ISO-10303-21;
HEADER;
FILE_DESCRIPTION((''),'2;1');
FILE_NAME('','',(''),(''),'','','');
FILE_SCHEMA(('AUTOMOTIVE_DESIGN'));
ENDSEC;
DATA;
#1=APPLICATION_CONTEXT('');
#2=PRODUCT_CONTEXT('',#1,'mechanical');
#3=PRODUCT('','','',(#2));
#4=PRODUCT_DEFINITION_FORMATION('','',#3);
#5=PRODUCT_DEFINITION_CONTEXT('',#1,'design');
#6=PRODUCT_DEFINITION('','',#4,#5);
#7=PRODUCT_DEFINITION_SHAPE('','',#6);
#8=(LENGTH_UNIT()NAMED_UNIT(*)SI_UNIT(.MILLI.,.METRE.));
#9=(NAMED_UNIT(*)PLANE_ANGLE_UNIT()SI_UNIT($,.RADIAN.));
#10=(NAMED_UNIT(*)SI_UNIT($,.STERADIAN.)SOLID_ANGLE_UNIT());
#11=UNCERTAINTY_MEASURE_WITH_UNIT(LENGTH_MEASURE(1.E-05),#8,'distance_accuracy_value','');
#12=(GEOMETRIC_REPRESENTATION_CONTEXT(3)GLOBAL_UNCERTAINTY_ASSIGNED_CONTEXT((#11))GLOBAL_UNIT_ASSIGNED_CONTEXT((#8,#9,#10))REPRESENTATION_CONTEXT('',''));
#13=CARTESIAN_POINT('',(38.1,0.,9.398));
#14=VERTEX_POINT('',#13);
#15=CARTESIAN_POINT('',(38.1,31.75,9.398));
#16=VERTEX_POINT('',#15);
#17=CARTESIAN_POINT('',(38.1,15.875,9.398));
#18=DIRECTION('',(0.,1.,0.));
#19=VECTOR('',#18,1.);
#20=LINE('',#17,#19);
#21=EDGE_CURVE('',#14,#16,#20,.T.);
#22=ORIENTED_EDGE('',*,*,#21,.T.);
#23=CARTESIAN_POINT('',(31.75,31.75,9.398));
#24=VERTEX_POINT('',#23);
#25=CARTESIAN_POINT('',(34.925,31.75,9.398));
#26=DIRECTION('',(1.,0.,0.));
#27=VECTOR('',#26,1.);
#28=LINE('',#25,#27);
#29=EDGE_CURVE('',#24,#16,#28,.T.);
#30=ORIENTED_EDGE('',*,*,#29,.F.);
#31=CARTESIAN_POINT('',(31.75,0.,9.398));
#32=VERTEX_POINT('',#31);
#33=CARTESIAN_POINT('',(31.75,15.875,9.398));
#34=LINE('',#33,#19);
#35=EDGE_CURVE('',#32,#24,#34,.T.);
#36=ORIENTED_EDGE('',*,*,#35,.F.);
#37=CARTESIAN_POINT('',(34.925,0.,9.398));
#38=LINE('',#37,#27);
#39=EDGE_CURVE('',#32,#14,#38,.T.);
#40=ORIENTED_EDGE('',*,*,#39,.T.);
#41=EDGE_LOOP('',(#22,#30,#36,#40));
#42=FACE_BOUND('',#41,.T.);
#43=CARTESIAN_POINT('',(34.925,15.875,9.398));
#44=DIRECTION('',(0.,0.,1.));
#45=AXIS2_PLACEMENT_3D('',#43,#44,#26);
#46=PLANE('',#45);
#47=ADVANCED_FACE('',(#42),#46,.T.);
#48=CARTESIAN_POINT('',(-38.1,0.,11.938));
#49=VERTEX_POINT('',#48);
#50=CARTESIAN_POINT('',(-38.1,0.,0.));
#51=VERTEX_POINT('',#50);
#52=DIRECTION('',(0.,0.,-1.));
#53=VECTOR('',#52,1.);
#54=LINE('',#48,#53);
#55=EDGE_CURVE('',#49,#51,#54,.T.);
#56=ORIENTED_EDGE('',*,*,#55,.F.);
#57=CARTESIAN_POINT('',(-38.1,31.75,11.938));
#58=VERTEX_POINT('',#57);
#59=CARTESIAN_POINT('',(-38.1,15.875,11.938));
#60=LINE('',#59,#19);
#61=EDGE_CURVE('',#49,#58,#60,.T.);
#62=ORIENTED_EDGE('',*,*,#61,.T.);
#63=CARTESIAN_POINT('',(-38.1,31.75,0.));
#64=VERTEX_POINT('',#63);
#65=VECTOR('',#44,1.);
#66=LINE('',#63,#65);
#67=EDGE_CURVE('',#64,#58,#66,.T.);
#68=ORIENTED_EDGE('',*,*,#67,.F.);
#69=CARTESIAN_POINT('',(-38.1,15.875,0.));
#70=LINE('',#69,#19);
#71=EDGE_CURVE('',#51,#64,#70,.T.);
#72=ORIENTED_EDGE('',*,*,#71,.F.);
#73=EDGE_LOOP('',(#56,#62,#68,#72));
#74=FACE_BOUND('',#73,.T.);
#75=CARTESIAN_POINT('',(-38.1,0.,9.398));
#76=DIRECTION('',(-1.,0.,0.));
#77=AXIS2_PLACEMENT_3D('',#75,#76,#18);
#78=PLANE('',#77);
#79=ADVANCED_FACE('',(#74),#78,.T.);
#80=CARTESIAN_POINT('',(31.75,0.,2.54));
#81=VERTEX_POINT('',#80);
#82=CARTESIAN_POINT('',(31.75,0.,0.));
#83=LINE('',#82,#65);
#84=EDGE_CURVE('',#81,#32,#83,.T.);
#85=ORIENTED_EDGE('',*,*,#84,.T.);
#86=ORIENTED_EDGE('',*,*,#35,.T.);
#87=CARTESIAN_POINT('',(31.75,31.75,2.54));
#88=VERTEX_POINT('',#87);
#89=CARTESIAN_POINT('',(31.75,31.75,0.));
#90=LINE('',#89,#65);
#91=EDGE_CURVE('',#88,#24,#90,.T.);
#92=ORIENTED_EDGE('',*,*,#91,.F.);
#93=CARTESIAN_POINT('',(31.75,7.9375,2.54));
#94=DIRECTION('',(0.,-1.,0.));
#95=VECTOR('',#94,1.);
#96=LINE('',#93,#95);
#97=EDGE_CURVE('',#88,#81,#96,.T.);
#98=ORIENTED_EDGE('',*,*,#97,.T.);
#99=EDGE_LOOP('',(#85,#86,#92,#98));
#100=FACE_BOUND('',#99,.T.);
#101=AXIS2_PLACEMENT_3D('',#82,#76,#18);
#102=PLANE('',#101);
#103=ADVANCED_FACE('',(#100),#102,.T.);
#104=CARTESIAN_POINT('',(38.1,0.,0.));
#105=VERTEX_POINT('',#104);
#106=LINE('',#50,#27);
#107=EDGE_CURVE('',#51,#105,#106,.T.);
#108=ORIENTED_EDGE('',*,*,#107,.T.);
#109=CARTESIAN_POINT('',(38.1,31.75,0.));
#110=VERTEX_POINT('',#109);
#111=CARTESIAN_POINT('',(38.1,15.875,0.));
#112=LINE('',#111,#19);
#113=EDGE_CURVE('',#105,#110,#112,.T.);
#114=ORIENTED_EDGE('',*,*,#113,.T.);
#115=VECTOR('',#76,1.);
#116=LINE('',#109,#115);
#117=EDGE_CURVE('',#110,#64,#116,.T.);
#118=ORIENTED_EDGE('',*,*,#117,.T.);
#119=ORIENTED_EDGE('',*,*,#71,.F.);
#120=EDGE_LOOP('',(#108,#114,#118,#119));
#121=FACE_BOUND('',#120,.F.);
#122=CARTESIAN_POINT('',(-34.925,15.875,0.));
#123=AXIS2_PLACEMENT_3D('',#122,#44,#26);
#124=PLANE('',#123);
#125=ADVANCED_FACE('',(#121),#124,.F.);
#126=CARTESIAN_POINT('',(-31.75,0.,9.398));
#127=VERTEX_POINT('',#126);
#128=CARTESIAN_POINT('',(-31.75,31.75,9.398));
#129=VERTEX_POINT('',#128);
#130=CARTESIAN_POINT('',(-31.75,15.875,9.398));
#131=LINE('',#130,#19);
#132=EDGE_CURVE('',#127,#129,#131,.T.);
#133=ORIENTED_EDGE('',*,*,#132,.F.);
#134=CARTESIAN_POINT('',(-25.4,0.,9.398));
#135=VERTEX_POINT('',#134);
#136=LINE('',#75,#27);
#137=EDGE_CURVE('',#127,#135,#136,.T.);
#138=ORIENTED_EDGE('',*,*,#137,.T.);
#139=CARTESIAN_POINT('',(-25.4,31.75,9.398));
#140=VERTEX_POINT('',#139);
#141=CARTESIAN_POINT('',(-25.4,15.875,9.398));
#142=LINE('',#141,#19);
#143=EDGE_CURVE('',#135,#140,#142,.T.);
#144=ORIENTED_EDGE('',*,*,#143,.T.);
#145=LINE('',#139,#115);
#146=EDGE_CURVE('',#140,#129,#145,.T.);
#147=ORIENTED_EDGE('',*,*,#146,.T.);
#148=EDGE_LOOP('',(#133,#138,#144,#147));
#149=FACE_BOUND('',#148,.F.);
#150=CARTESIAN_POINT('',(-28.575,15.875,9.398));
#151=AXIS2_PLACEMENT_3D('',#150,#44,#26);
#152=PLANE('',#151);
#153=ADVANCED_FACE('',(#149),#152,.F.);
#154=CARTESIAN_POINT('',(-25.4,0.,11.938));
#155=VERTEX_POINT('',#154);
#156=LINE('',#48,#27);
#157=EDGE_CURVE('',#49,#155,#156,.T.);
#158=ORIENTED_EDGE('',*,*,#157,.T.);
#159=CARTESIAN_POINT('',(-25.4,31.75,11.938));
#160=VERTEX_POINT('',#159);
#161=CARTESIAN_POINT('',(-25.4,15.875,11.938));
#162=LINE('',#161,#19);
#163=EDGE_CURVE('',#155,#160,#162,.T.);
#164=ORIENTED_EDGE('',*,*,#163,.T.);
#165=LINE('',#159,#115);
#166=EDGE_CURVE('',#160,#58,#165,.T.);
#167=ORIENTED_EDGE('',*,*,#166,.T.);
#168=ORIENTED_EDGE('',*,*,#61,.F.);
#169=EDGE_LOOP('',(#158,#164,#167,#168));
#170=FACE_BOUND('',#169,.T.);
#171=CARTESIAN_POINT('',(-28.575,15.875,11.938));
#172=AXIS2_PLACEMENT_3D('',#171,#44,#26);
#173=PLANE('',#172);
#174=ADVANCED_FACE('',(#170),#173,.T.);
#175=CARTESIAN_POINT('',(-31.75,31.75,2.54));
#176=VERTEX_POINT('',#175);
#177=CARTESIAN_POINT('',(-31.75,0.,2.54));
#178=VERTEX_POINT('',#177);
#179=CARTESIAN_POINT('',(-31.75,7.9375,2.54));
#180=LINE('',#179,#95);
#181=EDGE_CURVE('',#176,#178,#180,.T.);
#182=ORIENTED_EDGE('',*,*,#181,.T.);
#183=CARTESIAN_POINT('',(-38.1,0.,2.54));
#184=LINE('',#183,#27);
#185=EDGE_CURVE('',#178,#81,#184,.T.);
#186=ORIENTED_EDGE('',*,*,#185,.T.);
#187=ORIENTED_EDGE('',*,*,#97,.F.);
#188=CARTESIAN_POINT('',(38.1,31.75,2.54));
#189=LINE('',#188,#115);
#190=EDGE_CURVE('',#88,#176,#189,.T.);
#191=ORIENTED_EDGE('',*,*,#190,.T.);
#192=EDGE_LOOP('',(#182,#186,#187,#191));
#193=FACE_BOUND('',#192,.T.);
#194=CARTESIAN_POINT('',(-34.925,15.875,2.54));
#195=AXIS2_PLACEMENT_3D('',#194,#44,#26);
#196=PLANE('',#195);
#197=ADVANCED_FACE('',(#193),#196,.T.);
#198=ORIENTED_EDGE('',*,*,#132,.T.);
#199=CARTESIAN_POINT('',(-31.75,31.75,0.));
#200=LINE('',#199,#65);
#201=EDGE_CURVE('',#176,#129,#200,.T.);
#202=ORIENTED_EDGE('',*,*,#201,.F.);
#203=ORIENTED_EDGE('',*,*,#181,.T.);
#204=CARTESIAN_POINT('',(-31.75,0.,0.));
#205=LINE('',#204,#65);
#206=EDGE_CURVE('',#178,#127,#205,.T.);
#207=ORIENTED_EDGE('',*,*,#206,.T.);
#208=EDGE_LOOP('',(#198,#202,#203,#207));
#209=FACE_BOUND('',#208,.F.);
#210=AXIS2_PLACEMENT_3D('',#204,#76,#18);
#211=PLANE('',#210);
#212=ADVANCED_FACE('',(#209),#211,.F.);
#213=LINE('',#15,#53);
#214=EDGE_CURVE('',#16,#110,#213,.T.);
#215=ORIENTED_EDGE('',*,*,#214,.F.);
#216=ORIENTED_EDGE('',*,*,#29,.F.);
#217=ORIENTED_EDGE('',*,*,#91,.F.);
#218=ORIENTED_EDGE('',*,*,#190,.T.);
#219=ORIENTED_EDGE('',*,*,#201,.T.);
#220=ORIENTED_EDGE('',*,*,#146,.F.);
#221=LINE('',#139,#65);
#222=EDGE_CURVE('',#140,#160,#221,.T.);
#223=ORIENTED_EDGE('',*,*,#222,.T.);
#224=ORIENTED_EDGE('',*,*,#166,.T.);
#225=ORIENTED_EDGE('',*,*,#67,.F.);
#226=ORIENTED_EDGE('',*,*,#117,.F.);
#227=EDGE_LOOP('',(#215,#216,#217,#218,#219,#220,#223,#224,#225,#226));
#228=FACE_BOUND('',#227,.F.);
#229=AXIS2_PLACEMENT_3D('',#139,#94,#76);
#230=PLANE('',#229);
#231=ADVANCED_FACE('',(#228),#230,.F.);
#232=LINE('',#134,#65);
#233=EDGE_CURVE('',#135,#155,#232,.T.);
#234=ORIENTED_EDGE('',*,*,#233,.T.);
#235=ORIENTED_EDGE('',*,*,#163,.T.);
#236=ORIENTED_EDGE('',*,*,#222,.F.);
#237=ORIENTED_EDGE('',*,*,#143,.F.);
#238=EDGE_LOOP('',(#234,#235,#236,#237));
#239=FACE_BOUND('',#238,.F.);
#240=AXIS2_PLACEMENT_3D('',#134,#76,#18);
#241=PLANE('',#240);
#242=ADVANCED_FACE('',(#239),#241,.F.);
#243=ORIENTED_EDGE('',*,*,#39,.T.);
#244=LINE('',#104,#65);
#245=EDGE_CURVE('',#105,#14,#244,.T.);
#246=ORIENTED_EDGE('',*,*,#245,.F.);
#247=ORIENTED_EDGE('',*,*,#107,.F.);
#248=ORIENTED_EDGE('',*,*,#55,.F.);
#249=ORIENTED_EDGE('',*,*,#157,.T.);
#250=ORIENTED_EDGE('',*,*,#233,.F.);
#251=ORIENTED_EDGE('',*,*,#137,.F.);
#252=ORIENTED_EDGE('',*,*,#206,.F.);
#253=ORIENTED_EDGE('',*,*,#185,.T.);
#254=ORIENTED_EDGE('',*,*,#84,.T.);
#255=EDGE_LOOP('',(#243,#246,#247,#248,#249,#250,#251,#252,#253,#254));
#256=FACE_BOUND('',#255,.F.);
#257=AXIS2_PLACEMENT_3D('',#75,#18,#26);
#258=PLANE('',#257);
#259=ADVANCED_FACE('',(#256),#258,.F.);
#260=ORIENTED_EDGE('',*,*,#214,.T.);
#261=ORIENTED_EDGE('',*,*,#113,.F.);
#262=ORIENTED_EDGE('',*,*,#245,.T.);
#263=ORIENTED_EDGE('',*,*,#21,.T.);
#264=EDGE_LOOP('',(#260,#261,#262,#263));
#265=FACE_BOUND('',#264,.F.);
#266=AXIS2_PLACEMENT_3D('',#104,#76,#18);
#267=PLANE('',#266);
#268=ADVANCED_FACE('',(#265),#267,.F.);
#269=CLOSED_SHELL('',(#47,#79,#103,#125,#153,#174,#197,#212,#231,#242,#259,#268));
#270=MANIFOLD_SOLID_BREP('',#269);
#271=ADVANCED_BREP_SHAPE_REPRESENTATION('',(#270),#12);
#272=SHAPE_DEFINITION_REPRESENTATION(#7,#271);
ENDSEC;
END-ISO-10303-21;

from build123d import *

# Parameters (mm, degrees)
F0_W     = 6.35
F0_H     = 31.75
F0_W_2   = 63.5
F1_DEPTH = 2.54
F2_DEPTH = 9.398
F3_W     = 6.35
F3_H     = 31.75
F4_DEPTH = 2.54


with BuildPart() as f1:
    # F0 (on Top) → F1 (new body)
    with BuildSketch(Plane.XY):
        with Locations((-34.925, 15.875)):
            Rectangle(F0_W, F0_H)
        with Locations((0, 15.875)):
            Rectangle(F0_W_2, F0_H)
        with Locations((34.925, 15.875)):
            Rectangle(F0_W, F0_H)
    extrude(amount=F1_DEPTH)

    # F0 (on Top) → F2 (join)
    with BuildSketch(Plane.XY):
        with Locations((-34.925, 15.875)):
            Rectangle(F0_W, F0_H)
        with Locations((34.925, 15.875)):
            Rectangle(F0_W, F0_H)
    extrude(amount=F2_DEPTH)

    # F3 (on face) → F4 (join)
    with BuildSketch(Plane.XY.offset(9.398)):
        with Locations((-28.575, 15.875)):
            Rectangle(F3_W, F3_H)
        with Locations((-34.925, 15.875)):
            Rectangle(F3_W, F3_H)
    extrude(amount=F4_DEPTH)


solid = f1.part
